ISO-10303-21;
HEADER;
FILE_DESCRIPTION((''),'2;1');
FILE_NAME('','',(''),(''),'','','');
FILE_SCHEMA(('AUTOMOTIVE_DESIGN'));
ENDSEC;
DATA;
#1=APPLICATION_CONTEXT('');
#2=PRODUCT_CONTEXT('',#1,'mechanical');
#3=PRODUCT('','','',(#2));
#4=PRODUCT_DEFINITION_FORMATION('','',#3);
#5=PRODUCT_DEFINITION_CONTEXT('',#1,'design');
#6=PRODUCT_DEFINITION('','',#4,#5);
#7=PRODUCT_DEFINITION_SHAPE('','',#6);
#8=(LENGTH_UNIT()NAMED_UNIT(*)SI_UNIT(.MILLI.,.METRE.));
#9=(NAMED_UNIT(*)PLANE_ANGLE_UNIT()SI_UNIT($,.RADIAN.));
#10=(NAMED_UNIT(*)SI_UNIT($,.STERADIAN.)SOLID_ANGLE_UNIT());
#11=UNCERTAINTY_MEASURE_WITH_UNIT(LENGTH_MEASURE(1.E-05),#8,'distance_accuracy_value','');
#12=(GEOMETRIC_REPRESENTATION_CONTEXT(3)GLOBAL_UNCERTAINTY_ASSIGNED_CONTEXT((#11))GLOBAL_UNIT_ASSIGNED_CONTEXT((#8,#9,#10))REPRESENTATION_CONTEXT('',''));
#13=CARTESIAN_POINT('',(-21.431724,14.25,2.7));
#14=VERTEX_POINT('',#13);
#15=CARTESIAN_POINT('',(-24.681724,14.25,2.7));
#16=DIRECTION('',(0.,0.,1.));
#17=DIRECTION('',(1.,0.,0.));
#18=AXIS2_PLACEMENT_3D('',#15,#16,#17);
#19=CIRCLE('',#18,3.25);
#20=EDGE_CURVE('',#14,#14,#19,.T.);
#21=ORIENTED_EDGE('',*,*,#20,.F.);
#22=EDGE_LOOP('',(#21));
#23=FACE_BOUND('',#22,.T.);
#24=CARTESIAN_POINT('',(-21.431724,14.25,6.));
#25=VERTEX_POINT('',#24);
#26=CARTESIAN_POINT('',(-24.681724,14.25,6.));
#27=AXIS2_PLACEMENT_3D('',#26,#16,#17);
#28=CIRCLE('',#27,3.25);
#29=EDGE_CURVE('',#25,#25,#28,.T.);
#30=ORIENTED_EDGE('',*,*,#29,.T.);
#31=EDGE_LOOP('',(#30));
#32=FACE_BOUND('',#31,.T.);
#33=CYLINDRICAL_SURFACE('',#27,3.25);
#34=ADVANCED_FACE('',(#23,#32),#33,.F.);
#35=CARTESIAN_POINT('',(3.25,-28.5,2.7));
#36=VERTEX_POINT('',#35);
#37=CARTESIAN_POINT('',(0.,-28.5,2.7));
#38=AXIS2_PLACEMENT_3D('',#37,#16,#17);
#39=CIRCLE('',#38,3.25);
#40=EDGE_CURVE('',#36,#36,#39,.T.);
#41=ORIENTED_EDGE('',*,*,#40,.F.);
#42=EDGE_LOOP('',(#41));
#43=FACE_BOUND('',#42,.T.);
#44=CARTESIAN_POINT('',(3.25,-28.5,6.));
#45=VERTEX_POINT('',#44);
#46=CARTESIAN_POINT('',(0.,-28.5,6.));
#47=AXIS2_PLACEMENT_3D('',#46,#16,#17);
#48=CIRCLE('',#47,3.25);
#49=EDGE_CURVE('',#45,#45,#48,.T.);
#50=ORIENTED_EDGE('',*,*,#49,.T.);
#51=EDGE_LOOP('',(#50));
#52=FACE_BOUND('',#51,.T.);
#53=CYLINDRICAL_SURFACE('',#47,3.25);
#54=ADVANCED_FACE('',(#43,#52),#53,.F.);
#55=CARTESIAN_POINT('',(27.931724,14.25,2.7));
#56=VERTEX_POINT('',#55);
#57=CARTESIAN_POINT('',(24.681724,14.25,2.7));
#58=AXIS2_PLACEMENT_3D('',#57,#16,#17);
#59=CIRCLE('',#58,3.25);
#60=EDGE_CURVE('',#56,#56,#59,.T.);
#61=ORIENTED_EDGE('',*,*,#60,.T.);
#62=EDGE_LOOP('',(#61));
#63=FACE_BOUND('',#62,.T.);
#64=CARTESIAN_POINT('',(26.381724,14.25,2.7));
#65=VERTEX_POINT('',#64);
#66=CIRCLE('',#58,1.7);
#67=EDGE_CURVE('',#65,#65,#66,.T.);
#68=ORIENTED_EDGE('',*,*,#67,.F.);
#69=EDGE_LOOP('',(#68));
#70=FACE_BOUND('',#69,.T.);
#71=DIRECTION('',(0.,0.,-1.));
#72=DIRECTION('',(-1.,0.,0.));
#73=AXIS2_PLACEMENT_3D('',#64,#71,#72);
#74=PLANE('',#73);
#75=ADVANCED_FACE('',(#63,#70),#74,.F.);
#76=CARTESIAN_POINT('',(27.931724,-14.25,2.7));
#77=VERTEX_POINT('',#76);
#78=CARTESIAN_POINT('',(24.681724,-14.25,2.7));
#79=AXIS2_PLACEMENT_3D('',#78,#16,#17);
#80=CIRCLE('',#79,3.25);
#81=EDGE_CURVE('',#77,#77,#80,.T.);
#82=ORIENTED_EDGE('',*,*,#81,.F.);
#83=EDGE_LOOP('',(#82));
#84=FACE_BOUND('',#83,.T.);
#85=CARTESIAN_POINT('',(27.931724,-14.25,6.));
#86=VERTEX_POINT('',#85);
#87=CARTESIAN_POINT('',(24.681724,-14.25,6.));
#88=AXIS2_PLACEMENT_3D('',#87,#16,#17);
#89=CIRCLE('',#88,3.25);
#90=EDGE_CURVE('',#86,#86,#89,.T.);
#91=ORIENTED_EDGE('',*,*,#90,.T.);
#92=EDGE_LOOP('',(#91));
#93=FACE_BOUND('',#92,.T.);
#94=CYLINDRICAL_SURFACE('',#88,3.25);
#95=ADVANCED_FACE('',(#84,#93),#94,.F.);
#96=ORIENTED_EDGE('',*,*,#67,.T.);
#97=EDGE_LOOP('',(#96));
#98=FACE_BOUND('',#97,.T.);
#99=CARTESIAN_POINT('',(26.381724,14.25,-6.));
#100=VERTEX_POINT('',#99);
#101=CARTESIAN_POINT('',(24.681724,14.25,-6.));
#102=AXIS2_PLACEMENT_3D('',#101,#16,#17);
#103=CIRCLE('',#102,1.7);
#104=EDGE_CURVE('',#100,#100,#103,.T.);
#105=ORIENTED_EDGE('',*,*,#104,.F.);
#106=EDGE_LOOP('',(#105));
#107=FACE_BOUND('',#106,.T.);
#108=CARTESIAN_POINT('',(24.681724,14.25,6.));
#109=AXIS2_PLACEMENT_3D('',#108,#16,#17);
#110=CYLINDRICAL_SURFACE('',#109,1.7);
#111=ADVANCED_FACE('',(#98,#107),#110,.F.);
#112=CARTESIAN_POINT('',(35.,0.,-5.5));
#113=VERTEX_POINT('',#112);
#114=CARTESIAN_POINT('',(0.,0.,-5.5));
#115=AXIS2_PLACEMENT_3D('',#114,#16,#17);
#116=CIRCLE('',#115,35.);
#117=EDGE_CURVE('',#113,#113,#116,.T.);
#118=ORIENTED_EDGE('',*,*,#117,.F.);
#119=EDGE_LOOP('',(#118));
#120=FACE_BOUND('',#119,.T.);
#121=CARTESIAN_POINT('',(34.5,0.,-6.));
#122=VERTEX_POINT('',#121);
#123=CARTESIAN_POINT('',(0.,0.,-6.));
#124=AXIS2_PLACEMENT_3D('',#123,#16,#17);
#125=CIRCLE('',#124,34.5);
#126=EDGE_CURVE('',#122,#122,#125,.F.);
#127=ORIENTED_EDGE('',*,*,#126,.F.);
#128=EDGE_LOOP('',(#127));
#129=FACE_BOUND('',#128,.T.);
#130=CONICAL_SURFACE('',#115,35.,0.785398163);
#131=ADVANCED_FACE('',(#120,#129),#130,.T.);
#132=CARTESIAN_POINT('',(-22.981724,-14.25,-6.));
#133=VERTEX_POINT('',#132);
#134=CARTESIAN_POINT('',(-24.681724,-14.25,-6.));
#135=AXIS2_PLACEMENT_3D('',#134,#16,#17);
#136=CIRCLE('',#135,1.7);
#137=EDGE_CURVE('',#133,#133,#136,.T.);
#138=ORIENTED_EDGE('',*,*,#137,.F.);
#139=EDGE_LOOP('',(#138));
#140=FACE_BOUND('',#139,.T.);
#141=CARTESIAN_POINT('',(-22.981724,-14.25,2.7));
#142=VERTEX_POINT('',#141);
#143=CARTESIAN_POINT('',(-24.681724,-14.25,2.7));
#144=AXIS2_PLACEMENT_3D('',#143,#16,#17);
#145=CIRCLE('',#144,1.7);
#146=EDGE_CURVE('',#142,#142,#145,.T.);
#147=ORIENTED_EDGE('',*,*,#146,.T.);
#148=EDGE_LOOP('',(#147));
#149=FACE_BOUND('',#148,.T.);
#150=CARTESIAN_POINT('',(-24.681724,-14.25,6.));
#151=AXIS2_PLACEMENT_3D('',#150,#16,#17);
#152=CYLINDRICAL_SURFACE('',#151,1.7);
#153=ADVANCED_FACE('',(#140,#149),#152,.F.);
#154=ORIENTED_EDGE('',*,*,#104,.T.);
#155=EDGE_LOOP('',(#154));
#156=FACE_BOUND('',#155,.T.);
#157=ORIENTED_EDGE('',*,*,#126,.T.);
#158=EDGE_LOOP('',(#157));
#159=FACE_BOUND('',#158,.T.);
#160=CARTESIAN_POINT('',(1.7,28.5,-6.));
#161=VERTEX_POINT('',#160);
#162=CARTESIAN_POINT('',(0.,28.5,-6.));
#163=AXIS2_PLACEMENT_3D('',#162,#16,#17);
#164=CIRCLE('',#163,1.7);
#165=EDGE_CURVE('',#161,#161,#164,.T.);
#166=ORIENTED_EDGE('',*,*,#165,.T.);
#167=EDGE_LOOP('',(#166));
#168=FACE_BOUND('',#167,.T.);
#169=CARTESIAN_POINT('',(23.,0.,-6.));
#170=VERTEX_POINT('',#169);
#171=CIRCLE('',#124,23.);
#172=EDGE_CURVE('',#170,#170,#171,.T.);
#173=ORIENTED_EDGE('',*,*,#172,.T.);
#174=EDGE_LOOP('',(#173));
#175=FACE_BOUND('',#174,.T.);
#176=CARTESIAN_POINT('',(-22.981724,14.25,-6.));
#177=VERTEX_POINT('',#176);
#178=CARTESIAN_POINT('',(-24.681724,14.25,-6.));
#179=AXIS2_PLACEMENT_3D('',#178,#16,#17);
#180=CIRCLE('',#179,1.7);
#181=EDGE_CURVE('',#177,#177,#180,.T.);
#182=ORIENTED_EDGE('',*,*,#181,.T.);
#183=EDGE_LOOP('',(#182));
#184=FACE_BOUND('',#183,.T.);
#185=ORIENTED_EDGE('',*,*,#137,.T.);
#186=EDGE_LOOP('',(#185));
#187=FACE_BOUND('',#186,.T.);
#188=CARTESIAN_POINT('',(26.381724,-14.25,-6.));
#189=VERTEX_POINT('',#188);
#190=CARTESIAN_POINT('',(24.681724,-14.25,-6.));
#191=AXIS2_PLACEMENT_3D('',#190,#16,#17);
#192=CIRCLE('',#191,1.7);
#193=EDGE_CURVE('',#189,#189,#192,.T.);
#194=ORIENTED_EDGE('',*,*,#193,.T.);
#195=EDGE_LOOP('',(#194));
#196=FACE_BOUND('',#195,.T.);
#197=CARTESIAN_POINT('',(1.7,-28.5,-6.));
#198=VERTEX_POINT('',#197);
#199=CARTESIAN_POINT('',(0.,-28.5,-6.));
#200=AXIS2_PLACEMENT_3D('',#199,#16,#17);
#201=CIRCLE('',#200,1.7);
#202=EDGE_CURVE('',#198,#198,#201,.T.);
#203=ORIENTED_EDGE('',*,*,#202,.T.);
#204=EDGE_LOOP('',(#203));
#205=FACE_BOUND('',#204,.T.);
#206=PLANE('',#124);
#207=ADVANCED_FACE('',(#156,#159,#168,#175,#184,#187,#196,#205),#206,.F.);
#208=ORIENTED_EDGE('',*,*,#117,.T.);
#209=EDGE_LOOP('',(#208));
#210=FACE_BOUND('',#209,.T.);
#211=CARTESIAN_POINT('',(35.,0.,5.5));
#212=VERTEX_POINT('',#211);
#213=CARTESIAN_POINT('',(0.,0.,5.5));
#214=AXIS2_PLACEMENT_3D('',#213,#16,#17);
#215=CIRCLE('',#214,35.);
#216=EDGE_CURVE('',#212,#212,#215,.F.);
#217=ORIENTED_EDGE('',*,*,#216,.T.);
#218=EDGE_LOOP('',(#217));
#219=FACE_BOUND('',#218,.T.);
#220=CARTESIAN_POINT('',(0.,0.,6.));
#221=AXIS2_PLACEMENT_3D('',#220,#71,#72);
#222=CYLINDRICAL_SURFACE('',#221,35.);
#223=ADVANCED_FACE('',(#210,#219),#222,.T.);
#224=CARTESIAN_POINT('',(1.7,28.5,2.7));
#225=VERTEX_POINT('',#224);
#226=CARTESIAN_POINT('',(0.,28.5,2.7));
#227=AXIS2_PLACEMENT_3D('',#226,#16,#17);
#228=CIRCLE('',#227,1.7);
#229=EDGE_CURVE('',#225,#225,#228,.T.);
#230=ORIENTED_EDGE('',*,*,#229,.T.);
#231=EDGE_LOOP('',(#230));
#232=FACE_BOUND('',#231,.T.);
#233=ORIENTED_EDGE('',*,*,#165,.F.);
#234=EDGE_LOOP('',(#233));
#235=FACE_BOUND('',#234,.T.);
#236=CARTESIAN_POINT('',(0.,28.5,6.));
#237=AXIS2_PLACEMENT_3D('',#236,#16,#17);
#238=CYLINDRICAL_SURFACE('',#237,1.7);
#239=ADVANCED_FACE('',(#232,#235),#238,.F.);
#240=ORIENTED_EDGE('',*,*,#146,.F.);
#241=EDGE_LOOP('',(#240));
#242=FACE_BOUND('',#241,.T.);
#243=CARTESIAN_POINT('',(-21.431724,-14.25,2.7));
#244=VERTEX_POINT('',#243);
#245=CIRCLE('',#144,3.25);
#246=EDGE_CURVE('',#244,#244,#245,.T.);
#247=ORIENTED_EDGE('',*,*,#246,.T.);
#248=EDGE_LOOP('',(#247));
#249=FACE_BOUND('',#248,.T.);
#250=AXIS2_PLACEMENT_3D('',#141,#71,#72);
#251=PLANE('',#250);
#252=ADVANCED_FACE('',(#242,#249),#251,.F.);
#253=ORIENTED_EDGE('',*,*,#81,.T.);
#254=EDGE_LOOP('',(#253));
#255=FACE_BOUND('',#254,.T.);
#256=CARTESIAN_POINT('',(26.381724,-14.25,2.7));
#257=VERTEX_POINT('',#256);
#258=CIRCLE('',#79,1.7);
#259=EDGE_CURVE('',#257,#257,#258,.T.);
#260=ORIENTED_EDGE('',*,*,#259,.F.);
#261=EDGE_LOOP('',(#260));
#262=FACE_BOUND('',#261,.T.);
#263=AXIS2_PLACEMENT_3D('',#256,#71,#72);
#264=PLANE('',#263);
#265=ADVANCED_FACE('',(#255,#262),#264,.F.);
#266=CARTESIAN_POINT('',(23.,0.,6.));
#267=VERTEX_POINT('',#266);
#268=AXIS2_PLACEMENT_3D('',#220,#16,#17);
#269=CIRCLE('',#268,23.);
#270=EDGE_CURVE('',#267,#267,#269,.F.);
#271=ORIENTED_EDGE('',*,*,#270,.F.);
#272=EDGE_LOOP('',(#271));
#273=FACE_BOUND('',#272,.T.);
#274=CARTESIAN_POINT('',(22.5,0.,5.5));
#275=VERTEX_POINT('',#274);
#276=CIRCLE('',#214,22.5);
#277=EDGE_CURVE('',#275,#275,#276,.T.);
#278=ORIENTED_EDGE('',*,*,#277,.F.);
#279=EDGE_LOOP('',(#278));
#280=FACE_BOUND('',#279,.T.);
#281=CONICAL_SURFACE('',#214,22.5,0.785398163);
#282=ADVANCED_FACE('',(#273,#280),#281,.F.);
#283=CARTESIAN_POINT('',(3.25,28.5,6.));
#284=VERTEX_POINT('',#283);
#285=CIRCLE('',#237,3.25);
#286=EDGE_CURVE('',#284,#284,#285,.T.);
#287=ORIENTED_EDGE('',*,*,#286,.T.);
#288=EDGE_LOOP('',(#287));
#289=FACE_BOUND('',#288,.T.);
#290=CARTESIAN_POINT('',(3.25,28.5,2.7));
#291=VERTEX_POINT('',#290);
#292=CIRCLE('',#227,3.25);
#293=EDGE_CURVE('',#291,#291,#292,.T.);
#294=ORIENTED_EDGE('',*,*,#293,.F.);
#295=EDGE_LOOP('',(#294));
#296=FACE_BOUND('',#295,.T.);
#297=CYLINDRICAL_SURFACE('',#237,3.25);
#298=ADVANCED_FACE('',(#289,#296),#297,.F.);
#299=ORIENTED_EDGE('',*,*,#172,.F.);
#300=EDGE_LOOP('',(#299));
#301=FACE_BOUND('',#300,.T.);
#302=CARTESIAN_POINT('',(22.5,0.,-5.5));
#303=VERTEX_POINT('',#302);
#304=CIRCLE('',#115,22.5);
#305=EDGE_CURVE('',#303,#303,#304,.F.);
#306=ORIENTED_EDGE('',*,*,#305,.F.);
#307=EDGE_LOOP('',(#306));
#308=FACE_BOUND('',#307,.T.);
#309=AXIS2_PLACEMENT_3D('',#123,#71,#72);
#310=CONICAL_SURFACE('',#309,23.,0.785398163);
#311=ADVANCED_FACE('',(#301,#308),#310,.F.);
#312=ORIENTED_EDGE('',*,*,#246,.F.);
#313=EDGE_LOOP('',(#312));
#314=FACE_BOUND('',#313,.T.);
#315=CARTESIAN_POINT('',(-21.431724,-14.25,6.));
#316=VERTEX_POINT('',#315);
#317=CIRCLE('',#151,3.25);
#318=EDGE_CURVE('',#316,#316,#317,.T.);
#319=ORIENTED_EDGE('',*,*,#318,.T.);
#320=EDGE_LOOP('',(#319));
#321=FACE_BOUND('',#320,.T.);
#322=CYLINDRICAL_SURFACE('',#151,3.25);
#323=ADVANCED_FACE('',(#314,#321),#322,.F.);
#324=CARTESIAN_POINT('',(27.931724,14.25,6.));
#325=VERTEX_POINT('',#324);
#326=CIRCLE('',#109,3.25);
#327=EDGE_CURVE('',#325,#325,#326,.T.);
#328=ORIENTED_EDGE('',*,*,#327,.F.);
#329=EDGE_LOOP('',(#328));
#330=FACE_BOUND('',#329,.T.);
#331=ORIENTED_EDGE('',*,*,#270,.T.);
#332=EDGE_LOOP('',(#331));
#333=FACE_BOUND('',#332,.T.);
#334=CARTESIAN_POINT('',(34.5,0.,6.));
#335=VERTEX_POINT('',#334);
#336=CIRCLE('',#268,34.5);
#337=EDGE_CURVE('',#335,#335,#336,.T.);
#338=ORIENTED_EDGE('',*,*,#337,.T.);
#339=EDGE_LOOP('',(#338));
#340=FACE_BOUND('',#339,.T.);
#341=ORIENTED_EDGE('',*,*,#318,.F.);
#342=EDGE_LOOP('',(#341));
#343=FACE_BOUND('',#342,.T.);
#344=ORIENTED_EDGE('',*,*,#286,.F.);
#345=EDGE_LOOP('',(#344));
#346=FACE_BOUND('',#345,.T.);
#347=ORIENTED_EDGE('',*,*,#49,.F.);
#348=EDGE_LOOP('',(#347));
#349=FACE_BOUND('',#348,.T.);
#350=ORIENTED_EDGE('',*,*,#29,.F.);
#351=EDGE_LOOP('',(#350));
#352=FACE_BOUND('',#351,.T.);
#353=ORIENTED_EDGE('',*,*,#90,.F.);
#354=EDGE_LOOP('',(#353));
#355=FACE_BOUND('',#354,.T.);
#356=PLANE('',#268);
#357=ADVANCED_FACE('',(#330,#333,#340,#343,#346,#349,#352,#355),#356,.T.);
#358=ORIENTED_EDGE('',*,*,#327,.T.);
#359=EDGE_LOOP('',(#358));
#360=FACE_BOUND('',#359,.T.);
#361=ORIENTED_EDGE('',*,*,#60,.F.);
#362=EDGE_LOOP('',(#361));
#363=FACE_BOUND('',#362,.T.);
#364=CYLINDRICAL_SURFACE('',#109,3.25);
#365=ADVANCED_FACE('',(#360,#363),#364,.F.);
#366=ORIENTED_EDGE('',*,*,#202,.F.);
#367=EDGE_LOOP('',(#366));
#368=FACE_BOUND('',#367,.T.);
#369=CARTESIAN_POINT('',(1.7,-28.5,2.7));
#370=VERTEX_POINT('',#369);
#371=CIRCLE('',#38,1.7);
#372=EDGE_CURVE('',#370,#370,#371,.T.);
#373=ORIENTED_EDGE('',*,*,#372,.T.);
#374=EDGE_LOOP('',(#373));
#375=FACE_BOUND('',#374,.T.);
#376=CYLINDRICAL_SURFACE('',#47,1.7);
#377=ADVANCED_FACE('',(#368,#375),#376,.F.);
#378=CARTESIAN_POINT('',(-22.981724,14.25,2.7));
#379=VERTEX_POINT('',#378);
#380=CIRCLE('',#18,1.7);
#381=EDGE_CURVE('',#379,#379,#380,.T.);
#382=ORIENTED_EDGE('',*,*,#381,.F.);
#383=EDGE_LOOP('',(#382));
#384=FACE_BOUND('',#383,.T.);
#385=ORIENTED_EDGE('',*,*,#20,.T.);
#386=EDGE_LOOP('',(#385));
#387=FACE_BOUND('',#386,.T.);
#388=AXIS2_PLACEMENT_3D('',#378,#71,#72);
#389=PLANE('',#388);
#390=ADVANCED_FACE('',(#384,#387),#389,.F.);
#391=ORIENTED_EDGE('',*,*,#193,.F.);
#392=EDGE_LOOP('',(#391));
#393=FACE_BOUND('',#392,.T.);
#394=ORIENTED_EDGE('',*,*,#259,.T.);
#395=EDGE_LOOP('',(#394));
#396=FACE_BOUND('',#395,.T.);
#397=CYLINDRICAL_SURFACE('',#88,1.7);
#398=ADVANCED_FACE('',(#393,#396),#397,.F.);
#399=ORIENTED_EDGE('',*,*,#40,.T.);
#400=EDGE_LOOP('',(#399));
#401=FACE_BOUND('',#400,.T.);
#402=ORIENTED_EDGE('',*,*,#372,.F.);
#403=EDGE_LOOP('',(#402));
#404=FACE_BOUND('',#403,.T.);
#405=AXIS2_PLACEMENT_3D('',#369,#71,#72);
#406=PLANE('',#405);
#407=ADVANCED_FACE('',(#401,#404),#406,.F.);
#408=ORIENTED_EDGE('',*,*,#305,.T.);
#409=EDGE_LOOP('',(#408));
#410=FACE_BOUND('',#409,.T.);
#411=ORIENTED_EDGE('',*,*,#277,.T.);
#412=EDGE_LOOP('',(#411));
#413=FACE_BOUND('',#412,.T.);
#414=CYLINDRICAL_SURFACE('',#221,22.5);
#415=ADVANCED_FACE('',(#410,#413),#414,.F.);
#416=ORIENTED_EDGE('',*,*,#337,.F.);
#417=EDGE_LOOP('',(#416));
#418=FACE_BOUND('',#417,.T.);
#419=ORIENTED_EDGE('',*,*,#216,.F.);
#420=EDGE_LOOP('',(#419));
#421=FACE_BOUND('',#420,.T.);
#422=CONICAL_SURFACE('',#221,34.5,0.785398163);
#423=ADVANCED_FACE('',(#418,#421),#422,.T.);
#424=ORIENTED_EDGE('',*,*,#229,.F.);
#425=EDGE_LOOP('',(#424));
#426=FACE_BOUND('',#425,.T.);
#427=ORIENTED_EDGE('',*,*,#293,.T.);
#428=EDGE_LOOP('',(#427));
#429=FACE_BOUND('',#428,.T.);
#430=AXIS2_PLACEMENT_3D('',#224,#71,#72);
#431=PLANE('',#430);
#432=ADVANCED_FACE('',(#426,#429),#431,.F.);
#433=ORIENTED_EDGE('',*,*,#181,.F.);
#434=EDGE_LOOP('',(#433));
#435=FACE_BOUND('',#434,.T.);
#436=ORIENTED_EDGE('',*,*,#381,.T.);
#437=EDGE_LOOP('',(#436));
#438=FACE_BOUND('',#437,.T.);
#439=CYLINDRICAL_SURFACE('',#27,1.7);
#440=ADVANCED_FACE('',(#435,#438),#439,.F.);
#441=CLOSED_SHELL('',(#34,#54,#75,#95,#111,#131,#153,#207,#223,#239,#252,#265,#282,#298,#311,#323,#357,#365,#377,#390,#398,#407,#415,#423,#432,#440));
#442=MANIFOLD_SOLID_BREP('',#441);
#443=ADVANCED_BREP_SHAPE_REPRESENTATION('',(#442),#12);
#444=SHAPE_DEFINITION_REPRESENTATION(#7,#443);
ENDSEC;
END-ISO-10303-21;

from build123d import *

# Parameters (mm, degrees)
SKETCH_1_R                   = 35
SKETCH_1_R_2                 = 22.5
EXTRUDE_1_DEPTH              = 6
HOLE_WIZARD_M3_1_D           = 3.4
HOLE_WIZARD_M3_1_CBORE_D     = 6.5
HOLE_WIZARD_M3_1_CBORE_DEPTH = 3.3
PATTERN_CIRCULAR_1_COUNT     = 6
CHAMFER_1_SIZE               = 0.5


with BuildPart() as part:
    # 스케치1 → 보스-돌출1 (new, symmetric)
    with BuildSketch(Plane.XY):
        Circle(SKETCH_1_R)
        Circle(SKETCH_1_R_2, mode=Mode.SUBTRACT)
    extrude(amount=EXTRUDE_1_DEPTH, both=True)

    # M3 육각 소켓 머리 캡 나사용 카운터보어1 (through all)
    with Locations(Plane.XY.offset(6)):
        with Locations((0, 28.5)):
            hole_wizard_m3_1 = CounterBoreHole(HOLE_WIZARD_M3_1_D / 2, HOLE_WIZARD_M3_1_CBORE_D / 2, HOLE_WIZARD_M3_1_CBORE_DEPTH)

    # 원형 패턴1: M3 육각 소켓 머리 캡 나사용 카운터보어1 ×6 about axis
    pattern_circular_1_axis = Axis((0, 0, 6), (0, 0, -1))
    for i in range(1, PATTERN_CIRCULAR_1_COUNT):
        add(hole_wizard_m3_1.rotate(pattern_circular_1_axis, i * 360 / PATTERN_CIRCULAR_1_COUNT), mode=Mode.SUBTRACT)

    # 모따기1
    chamfer_1_edges = [part.edges().sort_by_distance(p)[0] for p in [
        (-35, 0, -6),
        (-35, 0, 6),
        (-22.5, 0, -6),
        (-22.5, 0, 6),
    ]]
    chamfer(chamfer_1_edges, length=CHAMFER_1_SIZE)


solid = part.part
